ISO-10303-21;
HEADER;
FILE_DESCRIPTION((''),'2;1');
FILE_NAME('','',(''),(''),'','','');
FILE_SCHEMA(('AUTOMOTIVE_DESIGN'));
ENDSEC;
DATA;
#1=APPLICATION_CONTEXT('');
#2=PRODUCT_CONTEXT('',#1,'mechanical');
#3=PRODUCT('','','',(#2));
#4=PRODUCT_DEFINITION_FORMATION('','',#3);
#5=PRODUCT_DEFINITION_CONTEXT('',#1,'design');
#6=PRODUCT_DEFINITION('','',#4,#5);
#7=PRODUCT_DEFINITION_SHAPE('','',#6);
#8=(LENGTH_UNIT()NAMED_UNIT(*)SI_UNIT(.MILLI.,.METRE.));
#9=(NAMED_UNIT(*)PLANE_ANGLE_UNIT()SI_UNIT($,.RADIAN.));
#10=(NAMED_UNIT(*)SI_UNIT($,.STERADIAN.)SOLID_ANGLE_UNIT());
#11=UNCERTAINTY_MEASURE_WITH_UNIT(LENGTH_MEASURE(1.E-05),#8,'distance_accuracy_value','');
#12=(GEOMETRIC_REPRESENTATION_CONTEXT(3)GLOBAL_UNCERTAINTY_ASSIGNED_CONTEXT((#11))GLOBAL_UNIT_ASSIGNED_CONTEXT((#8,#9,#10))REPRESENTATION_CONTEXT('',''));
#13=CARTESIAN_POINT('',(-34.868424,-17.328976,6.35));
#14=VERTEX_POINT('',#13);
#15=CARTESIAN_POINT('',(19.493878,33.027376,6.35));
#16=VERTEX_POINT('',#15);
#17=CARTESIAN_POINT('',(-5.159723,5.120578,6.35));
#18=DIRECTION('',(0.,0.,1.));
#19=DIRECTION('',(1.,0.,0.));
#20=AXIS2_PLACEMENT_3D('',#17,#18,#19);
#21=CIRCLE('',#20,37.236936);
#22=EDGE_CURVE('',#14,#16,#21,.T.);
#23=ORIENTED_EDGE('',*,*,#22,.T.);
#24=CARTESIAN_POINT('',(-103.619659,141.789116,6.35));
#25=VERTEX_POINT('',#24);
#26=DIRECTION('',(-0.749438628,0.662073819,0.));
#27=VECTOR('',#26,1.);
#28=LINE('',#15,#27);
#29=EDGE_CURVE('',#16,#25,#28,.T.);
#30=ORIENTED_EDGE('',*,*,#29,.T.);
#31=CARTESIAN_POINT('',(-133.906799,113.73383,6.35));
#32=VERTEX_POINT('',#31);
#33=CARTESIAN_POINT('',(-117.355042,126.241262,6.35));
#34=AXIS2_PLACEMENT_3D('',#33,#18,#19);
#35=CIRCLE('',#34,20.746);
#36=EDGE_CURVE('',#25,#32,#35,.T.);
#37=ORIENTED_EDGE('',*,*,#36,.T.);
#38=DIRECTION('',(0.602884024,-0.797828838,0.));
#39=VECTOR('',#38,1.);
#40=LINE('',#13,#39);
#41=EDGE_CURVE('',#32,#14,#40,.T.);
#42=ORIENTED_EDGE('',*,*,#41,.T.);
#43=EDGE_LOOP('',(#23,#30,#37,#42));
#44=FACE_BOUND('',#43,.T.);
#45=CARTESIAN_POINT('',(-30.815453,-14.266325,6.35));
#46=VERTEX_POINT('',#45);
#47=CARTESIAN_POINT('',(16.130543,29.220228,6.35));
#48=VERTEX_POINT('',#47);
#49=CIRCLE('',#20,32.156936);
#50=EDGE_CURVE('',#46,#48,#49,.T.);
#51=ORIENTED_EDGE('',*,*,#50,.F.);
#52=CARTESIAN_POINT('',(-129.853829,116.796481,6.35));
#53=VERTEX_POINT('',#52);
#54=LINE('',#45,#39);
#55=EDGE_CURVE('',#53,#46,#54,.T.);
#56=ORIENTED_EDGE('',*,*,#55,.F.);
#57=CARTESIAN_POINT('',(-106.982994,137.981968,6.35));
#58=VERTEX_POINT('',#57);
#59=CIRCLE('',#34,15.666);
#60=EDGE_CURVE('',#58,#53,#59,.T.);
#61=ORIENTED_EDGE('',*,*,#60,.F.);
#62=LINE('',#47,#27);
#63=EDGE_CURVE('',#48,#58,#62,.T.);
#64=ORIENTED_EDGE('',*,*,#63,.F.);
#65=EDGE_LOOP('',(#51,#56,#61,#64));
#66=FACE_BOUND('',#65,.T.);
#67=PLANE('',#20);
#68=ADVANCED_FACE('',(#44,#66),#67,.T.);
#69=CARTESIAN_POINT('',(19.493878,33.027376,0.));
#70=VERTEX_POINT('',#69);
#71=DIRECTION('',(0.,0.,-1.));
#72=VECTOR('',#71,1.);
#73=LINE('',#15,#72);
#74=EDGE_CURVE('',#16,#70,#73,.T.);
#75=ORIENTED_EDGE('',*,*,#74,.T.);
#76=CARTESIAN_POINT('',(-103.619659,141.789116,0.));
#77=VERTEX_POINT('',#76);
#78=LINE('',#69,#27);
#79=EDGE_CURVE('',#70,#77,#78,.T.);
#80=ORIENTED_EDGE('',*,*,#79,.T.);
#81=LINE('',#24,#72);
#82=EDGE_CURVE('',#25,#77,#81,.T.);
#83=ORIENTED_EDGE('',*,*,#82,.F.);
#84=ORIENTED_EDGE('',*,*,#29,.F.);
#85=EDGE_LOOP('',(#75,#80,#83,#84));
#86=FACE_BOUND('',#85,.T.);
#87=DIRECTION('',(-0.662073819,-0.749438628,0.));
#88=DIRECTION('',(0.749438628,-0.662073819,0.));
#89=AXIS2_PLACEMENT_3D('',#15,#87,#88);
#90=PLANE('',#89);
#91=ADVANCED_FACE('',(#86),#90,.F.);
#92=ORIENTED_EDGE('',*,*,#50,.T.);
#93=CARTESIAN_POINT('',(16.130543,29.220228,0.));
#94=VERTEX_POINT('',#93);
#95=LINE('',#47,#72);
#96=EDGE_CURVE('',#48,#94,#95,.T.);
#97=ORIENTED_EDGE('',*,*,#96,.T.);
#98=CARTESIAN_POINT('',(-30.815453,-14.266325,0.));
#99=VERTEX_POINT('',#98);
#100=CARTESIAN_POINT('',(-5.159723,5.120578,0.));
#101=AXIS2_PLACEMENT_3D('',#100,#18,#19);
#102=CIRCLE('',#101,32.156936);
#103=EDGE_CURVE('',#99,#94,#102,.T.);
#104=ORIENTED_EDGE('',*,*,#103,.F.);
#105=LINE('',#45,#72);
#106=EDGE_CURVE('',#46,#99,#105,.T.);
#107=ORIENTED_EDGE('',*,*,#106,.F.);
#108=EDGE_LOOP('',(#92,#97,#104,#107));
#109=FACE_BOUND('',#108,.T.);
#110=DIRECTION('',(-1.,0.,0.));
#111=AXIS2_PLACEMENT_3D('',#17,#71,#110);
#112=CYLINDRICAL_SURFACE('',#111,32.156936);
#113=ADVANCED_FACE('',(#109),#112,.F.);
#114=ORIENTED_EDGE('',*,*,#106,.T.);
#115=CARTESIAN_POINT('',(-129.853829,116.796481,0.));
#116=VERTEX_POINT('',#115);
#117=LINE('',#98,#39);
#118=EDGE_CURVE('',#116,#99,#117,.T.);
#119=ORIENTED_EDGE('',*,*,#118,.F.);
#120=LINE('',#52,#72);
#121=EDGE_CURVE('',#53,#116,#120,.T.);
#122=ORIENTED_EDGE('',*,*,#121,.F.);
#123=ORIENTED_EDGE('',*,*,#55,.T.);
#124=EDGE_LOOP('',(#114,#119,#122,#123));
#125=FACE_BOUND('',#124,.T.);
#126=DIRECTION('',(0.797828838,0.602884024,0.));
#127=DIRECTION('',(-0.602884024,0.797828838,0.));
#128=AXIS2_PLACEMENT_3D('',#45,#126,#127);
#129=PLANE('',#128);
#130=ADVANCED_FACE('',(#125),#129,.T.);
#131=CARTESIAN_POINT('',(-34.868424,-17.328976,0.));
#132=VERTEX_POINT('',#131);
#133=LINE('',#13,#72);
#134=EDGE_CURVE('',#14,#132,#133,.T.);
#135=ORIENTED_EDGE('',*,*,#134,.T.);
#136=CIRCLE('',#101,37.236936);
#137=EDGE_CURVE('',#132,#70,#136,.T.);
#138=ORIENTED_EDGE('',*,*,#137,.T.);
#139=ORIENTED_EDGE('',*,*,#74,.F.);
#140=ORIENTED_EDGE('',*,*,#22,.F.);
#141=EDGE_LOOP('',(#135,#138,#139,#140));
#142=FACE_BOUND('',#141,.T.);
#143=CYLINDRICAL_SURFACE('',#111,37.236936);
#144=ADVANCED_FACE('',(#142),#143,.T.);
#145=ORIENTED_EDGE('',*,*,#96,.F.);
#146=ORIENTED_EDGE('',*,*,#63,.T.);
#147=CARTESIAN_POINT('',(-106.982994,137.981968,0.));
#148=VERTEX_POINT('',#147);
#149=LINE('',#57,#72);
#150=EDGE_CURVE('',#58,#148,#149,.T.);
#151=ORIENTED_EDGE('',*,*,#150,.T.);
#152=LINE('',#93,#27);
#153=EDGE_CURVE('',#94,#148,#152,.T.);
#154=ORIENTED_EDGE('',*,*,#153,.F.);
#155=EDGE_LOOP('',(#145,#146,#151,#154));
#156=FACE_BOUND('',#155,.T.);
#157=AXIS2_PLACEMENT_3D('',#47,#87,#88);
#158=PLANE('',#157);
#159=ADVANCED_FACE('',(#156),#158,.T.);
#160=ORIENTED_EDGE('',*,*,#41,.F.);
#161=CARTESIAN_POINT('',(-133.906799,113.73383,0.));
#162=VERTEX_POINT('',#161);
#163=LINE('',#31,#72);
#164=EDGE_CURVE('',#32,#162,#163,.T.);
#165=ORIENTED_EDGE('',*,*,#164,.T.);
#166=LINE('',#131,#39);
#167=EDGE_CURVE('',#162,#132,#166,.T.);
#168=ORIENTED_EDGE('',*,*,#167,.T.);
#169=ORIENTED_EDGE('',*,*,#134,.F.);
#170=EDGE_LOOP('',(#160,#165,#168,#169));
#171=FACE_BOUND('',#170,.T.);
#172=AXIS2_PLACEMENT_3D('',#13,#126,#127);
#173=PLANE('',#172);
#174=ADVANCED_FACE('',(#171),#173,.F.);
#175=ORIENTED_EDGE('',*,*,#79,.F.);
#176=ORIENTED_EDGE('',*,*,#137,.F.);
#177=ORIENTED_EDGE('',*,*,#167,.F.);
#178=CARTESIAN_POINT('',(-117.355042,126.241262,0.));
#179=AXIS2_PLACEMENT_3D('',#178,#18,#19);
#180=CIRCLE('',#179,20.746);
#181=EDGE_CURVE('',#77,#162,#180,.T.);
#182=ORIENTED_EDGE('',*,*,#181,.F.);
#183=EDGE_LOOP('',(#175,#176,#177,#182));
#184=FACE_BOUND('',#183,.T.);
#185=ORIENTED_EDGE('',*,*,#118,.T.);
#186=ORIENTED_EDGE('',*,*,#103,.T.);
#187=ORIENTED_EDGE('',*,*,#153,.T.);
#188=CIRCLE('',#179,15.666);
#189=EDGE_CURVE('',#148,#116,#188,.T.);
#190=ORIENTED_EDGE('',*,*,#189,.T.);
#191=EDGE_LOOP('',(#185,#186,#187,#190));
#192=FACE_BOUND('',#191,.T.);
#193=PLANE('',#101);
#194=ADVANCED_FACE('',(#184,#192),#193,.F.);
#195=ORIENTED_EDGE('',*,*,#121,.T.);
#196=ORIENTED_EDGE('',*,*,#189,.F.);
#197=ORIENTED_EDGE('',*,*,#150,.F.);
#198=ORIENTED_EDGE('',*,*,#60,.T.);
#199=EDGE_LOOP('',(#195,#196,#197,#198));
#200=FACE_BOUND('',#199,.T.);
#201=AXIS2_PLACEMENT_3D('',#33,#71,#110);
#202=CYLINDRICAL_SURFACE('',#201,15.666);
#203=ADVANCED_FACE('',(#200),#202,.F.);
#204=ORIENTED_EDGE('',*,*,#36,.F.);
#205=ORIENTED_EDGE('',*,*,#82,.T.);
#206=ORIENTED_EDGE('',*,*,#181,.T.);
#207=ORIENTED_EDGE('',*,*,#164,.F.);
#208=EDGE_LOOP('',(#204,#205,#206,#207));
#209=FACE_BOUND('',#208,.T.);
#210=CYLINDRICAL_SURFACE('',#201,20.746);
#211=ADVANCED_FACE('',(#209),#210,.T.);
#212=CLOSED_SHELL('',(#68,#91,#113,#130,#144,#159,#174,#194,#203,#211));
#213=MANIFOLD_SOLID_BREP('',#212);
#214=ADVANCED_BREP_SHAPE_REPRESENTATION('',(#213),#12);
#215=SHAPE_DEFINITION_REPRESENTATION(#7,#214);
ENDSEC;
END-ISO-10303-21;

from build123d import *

# Parameters (mm, degrees)
BOSS_EXTRUDE1_DEPTH = 6.35


with BuildPart() as part:
    # Sketch1 → Boss-Extrude1 (new body)
    with BuildSketch(Plane.XY):
        with BuildLine():
            Line((-34.868423811, -17.328975991), (-133.90679935, 113.733830348))
            ThreePointArc((-133.90679935, 113.733830348), (-131.453189487, 141.460945659), (-103.619658826, 141.789116084))
            Line((-103.619658826, 141.789116084), (19.493877778, 33.027375846))
            ThreePointArc((19.493877778, 33.027375846), (20.145001377, -22.19718825), (-34.868423811, -17.328975991))
        make_face()
        with BuildLine():
            Line((-30.815453316, -14.266325151), (-129.853828855, 116.796481188))
            ThreePointArc((-129.853828855, 116.796481188), (-128.001025803, 137.734155365), (-106.982993829, 137.981967852))
            Line((-106.982993829, 137.981967852), (16.130542775, 29.220227615))
            ThreePointArc((16.130542775, 29.220227615), (16.692837693, -18.470397955), (-30.815453316, -14.266325151))
        make_face(mode=Mode.SUBTRACT)
    extrude(amount=BOSS_EXTRUDE1_DEPTH)


solid = part.part
